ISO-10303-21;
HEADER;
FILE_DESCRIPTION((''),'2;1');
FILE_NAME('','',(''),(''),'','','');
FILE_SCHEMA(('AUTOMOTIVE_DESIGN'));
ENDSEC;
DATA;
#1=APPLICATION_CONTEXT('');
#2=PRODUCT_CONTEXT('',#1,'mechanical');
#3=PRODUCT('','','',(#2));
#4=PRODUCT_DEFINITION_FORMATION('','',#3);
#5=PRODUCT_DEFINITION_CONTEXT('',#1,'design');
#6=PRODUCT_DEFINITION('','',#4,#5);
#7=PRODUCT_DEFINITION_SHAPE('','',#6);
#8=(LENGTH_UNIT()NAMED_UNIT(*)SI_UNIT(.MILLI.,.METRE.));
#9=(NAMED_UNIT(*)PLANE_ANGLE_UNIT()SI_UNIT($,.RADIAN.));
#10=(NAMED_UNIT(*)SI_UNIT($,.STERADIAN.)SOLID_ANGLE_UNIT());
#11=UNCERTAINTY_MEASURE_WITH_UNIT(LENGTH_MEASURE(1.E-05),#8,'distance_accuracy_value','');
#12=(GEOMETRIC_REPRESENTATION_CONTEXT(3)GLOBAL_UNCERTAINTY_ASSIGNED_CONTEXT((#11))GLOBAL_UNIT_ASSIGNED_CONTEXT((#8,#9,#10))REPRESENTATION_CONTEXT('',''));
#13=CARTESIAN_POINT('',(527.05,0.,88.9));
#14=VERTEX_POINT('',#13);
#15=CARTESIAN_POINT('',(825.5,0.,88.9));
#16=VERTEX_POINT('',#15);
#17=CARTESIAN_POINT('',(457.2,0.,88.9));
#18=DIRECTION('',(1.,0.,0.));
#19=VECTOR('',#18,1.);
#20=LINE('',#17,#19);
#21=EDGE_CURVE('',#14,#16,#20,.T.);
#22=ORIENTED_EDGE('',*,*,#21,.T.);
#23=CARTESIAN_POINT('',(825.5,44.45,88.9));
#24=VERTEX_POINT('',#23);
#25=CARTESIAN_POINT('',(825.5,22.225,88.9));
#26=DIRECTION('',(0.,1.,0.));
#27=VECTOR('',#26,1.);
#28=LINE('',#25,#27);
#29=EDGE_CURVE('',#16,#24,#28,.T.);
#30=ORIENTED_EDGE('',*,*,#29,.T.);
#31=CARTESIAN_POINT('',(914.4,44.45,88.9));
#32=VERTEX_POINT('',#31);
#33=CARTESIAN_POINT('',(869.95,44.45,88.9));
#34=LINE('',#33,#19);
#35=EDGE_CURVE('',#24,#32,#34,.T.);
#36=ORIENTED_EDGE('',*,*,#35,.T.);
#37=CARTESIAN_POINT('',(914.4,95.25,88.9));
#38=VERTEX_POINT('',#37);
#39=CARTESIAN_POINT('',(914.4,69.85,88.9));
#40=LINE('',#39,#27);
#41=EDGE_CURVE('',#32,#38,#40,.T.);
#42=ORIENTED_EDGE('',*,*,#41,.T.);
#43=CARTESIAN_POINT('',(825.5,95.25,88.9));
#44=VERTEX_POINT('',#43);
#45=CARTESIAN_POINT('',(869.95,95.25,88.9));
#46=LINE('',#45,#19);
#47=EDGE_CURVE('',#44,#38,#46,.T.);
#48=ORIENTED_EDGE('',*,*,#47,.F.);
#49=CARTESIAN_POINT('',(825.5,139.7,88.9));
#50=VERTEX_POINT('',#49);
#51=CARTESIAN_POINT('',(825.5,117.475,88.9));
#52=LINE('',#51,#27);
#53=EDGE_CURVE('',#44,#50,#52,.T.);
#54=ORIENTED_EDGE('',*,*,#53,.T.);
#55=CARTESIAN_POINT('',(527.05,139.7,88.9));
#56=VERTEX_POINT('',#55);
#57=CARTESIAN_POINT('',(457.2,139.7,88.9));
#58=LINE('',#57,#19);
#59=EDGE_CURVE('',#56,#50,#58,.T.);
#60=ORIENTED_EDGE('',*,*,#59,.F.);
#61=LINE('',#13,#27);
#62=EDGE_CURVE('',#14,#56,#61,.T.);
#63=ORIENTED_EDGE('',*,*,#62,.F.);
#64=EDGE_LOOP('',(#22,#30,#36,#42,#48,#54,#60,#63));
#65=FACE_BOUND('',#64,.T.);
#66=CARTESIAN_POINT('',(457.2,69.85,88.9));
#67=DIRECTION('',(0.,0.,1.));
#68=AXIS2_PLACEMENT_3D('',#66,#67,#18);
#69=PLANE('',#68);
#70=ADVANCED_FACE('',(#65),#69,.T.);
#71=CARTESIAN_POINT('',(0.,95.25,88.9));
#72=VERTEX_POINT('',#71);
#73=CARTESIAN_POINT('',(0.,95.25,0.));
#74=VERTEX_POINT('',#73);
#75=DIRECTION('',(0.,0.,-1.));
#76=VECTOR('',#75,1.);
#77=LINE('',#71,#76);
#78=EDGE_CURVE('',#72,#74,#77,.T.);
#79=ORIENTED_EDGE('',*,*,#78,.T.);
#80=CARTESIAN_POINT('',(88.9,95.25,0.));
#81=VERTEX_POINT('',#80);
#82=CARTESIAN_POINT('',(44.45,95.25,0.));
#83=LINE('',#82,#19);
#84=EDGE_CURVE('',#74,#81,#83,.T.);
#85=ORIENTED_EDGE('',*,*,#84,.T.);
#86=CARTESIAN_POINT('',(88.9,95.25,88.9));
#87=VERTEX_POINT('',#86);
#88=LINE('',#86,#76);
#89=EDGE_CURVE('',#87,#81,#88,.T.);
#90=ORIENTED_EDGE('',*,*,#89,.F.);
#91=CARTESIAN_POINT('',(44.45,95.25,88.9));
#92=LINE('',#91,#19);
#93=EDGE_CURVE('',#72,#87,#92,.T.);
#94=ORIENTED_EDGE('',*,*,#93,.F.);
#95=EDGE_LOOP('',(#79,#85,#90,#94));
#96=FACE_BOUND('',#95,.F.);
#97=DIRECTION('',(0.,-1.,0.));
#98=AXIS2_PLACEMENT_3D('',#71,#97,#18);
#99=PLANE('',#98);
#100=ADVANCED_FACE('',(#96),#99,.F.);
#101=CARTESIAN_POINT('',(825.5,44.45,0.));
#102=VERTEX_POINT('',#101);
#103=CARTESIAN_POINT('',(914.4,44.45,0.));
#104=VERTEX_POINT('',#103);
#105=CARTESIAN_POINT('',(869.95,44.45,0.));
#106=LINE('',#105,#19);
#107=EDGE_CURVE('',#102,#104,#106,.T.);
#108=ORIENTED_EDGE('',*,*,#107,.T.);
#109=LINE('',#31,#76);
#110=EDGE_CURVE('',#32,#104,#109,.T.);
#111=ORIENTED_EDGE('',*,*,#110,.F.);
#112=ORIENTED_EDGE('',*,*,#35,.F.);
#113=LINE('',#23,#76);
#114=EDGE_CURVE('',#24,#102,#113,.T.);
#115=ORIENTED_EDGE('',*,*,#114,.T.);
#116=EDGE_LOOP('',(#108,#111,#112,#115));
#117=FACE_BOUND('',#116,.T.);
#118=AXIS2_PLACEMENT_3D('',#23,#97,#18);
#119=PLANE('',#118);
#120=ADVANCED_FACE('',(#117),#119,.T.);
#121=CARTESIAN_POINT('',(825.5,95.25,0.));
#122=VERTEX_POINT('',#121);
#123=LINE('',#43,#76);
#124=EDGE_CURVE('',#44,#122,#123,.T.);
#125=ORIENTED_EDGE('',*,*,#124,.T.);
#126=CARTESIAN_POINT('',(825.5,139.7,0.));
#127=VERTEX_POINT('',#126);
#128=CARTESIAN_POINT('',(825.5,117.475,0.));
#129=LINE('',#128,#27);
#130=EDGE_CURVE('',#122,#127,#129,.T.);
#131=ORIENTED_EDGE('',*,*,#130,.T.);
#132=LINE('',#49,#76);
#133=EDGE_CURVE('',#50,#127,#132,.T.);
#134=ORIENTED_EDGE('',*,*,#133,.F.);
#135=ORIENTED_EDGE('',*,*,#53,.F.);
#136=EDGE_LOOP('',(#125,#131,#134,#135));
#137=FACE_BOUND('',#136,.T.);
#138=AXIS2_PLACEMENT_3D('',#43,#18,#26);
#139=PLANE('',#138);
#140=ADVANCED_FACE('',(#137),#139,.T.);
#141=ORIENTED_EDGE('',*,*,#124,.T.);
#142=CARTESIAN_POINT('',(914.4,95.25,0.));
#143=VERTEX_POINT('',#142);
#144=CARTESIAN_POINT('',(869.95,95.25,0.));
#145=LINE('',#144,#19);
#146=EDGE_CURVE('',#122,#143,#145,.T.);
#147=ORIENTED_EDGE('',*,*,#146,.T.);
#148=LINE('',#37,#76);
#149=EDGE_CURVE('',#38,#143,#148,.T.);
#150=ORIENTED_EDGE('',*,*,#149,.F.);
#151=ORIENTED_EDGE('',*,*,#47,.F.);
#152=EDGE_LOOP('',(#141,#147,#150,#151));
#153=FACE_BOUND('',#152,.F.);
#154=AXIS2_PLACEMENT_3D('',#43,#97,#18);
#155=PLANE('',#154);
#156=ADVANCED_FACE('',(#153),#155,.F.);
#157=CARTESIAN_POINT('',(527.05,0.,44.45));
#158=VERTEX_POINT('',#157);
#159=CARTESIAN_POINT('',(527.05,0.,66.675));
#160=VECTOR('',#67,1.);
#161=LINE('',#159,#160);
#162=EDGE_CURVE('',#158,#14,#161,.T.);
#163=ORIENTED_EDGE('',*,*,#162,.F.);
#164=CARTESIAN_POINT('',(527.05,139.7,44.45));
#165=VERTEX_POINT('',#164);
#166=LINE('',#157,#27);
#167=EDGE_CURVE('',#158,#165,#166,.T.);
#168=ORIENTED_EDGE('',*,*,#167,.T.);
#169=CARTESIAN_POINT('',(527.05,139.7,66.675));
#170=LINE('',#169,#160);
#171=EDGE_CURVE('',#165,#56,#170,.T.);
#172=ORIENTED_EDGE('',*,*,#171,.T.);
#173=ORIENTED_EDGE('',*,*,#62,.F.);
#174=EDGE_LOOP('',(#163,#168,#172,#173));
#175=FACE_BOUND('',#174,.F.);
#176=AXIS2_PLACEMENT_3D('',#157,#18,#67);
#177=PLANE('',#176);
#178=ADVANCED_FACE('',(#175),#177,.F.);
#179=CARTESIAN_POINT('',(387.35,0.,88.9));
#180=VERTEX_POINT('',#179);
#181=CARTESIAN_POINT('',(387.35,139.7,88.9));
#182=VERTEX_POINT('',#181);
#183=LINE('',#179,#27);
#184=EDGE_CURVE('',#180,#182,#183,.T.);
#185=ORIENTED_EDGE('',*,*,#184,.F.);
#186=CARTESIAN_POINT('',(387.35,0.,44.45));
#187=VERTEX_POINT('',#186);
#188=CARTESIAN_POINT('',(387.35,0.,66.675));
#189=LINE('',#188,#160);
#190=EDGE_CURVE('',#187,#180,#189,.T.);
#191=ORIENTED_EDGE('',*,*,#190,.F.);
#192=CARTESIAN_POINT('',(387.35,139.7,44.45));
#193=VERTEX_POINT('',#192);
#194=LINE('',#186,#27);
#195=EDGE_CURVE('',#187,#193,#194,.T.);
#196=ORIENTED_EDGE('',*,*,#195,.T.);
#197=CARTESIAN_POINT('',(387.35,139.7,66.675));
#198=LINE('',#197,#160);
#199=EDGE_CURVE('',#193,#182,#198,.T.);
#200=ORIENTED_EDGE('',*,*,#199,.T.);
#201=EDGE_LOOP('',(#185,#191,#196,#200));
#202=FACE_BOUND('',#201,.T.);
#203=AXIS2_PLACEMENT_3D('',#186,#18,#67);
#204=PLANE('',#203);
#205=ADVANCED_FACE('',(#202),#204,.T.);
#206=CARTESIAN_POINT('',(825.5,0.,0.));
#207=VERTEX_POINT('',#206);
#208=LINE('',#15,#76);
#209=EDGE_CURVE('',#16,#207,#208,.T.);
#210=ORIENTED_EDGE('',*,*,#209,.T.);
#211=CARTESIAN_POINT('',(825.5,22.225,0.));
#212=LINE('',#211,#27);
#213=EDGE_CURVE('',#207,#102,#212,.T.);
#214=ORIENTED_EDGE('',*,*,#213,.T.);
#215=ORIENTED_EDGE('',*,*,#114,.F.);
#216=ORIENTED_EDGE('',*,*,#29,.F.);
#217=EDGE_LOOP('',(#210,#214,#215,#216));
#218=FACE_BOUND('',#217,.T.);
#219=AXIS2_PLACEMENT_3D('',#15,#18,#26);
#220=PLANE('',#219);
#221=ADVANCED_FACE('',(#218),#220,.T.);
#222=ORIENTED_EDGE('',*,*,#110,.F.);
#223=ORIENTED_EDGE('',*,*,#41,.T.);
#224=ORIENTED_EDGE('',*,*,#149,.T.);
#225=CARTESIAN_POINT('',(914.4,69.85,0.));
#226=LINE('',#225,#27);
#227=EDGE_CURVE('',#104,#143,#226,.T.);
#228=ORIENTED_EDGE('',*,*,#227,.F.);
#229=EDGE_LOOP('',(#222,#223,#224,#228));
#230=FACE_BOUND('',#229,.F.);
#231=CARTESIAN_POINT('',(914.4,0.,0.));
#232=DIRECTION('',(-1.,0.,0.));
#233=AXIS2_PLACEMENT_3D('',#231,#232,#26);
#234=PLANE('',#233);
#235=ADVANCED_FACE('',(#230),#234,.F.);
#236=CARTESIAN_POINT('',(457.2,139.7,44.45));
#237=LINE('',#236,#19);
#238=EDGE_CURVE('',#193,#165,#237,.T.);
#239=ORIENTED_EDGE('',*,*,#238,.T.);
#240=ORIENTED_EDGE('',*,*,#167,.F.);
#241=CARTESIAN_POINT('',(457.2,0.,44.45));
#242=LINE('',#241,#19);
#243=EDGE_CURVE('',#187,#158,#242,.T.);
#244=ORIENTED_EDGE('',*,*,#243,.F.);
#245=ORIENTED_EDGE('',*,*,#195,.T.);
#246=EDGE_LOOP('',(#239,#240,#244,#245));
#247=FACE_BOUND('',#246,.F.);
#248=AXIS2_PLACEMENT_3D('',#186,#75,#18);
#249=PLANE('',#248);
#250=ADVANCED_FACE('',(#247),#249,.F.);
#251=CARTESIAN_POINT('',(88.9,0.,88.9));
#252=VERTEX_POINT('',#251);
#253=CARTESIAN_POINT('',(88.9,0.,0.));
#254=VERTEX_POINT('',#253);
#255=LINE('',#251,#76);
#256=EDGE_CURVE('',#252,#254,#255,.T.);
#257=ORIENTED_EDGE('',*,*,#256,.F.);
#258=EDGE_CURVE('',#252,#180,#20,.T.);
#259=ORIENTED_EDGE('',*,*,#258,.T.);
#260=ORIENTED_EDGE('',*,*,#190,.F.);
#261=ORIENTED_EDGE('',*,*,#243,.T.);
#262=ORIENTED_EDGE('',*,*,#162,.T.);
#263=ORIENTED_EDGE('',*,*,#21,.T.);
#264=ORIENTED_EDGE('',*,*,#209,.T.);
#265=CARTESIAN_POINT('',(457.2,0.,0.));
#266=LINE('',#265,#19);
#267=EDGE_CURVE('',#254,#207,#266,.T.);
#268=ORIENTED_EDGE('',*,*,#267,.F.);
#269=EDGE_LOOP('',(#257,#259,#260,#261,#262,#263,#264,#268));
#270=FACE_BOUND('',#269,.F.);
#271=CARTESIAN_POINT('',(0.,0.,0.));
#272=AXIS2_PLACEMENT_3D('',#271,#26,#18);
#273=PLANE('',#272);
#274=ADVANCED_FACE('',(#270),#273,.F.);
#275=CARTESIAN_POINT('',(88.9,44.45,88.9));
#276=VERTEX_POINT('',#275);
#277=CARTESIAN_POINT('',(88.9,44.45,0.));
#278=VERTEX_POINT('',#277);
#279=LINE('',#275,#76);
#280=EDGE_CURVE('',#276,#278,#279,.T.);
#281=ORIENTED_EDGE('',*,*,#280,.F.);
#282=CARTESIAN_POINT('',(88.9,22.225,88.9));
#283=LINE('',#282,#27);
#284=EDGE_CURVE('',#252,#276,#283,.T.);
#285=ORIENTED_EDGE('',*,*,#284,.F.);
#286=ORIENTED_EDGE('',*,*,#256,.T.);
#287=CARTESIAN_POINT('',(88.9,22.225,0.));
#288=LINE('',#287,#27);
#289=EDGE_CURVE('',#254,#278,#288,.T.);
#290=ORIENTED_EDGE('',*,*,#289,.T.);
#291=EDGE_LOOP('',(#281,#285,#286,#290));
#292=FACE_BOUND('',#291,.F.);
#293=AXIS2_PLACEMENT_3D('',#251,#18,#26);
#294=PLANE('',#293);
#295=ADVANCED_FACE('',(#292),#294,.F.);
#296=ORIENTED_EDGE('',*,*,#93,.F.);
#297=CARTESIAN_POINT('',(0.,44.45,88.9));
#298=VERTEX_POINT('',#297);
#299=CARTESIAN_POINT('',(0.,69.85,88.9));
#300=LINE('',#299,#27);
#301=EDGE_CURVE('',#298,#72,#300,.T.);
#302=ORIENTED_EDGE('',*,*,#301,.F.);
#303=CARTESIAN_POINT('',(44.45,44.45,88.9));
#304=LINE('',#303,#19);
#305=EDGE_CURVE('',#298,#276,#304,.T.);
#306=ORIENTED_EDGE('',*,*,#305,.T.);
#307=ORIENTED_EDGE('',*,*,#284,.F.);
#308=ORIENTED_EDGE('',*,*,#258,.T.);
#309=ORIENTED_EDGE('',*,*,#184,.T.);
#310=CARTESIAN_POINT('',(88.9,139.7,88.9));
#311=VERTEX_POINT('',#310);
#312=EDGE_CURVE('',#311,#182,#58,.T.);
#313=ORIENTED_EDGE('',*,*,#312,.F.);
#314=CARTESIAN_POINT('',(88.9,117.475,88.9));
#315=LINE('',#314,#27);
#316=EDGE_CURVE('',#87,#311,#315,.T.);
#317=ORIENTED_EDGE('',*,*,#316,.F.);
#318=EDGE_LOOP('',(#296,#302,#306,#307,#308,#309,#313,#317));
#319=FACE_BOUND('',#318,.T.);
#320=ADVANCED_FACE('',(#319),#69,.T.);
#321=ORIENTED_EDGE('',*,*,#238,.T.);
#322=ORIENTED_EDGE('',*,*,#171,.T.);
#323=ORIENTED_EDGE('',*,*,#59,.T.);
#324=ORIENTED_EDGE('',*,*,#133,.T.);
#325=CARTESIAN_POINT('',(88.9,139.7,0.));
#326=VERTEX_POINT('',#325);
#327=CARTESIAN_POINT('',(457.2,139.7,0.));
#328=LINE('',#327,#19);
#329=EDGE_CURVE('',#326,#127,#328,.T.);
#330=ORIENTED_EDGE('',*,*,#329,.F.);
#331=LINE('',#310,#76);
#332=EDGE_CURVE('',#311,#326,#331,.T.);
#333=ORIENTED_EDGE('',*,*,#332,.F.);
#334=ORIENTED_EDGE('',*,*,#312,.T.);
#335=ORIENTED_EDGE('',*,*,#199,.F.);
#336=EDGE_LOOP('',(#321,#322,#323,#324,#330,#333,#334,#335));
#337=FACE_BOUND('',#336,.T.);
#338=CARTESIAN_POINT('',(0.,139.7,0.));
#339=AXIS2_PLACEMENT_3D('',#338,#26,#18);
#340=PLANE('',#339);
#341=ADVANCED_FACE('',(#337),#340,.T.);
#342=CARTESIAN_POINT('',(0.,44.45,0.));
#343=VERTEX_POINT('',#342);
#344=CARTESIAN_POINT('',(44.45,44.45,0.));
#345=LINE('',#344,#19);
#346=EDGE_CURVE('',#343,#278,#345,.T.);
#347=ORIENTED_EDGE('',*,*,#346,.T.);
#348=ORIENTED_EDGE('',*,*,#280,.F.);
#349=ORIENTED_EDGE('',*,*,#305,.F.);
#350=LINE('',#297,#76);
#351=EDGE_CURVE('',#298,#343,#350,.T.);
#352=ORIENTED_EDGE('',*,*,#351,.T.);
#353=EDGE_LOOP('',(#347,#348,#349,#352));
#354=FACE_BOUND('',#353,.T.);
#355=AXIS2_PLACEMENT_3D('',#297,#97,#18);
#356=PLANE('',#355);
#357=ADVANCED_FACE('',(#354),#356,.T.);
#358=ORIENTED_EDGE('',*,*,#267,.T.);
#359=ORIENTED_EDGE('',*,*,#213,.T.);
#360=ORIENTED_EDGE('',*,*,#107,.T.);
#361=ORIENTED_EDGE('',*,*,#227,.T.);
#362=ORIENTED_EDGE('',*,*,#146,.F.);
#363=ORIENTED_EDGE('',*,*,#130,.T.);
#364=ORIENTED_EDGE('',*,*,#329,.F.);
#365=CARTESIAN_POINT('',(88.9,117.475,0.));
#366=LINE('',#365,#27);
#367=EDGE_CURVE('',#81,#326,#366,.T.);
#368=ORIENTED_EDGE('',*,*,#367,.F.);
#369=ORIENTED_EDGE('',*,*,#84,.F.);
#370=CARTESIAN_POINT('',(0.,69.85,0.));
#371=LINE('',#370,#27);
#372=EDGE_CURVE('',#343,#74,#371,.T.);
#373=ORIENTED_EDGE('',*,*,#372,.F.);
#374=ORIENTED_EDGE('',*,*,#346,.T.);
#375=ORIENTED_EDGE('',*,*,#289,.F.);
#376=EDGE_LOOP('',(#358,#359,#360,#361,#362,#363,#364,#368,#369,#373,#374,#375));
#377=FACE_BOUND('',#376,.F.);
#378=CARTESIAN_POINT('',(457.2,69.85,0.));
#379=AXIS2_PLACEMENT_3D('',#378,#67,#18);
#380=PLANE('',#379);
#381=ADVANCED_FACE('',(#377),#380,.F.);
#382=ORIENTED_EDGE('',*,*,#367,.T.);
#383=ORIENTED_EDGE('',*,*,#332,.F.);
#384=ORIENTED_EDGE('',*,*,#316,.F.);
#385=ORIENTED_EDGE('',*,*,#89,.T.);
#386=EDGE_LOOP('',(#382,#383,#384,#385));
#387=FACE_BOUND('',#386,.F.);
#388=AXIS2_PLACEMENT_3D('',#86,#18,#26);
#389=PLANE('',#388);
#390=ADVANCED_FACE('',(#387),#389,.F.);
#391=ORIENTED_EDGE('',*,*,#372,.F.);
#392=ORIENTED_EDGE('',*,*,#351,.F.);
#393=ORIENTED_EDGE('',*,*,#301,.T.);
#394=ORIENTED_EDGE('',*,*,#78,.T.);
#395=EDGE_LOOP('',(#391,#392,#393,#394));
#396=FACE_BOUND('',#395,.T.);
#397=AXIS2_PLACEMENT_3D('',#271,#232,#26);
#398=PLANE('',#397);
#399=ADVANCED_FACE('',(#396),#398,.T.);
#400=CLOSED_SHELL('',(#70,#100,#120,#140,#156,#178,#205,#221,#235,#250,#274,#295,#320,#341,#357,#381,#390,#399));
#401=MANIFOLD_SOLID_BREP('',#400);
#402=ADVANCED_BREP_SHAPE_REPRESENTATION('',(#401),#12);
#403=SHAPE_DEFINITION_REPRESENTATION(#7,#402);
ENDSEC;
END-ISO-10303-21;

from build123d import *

# Parameters (mm, degrees)
F0_W     = 914.4
F0_H     = 139.7
F1_DEPTH = 88.9
F2_W     = 88.9
F2_H     = 44.45
F3_DEPTH = 88.9
F4_W     = 139.7
F4_H     = 44.45
F5_DEPTH = 139.7


with BuildPart() as f1:
    # F0 (on Top) → F1 (new body)
    with BuildSketch(Plane.XY):
        with Locations((457.2, 69.85)):
            Rectangle(F0_W, F0_H)
    extrude(amount=F1_DEPTH)

    # F2 (on face) → F3 (cut, through all)
    with BuildSketch(Plane.XY.offset(88.9)):
        with Locations((44.45, 117.475)):
            Rectangle(F2_W, F2_H)
        with Locations((44.45, 22.225)):
            Rectangle(F2_W, F2_H)
        with Locations((869.95, 117.475)):
            Rectangle(F2_W, F2_H)
        with Locations((869.95, 22.225)):
            Rectangle(F2_W, F2_H)
    extrude(amount=-F3_DEPTH, mode=Mode.SUBTRACT)

    # F4 (on face) → F5 (cut, through all)
    with BuildSketch(Plane.XZ):
        with Locations((457.2, 66.675)):
            Rectangle(F4_W, F4_H)
    extrude(amount=-F5_DEPTH, mode=Mode.SUBTRACT)


solid = f1.part
